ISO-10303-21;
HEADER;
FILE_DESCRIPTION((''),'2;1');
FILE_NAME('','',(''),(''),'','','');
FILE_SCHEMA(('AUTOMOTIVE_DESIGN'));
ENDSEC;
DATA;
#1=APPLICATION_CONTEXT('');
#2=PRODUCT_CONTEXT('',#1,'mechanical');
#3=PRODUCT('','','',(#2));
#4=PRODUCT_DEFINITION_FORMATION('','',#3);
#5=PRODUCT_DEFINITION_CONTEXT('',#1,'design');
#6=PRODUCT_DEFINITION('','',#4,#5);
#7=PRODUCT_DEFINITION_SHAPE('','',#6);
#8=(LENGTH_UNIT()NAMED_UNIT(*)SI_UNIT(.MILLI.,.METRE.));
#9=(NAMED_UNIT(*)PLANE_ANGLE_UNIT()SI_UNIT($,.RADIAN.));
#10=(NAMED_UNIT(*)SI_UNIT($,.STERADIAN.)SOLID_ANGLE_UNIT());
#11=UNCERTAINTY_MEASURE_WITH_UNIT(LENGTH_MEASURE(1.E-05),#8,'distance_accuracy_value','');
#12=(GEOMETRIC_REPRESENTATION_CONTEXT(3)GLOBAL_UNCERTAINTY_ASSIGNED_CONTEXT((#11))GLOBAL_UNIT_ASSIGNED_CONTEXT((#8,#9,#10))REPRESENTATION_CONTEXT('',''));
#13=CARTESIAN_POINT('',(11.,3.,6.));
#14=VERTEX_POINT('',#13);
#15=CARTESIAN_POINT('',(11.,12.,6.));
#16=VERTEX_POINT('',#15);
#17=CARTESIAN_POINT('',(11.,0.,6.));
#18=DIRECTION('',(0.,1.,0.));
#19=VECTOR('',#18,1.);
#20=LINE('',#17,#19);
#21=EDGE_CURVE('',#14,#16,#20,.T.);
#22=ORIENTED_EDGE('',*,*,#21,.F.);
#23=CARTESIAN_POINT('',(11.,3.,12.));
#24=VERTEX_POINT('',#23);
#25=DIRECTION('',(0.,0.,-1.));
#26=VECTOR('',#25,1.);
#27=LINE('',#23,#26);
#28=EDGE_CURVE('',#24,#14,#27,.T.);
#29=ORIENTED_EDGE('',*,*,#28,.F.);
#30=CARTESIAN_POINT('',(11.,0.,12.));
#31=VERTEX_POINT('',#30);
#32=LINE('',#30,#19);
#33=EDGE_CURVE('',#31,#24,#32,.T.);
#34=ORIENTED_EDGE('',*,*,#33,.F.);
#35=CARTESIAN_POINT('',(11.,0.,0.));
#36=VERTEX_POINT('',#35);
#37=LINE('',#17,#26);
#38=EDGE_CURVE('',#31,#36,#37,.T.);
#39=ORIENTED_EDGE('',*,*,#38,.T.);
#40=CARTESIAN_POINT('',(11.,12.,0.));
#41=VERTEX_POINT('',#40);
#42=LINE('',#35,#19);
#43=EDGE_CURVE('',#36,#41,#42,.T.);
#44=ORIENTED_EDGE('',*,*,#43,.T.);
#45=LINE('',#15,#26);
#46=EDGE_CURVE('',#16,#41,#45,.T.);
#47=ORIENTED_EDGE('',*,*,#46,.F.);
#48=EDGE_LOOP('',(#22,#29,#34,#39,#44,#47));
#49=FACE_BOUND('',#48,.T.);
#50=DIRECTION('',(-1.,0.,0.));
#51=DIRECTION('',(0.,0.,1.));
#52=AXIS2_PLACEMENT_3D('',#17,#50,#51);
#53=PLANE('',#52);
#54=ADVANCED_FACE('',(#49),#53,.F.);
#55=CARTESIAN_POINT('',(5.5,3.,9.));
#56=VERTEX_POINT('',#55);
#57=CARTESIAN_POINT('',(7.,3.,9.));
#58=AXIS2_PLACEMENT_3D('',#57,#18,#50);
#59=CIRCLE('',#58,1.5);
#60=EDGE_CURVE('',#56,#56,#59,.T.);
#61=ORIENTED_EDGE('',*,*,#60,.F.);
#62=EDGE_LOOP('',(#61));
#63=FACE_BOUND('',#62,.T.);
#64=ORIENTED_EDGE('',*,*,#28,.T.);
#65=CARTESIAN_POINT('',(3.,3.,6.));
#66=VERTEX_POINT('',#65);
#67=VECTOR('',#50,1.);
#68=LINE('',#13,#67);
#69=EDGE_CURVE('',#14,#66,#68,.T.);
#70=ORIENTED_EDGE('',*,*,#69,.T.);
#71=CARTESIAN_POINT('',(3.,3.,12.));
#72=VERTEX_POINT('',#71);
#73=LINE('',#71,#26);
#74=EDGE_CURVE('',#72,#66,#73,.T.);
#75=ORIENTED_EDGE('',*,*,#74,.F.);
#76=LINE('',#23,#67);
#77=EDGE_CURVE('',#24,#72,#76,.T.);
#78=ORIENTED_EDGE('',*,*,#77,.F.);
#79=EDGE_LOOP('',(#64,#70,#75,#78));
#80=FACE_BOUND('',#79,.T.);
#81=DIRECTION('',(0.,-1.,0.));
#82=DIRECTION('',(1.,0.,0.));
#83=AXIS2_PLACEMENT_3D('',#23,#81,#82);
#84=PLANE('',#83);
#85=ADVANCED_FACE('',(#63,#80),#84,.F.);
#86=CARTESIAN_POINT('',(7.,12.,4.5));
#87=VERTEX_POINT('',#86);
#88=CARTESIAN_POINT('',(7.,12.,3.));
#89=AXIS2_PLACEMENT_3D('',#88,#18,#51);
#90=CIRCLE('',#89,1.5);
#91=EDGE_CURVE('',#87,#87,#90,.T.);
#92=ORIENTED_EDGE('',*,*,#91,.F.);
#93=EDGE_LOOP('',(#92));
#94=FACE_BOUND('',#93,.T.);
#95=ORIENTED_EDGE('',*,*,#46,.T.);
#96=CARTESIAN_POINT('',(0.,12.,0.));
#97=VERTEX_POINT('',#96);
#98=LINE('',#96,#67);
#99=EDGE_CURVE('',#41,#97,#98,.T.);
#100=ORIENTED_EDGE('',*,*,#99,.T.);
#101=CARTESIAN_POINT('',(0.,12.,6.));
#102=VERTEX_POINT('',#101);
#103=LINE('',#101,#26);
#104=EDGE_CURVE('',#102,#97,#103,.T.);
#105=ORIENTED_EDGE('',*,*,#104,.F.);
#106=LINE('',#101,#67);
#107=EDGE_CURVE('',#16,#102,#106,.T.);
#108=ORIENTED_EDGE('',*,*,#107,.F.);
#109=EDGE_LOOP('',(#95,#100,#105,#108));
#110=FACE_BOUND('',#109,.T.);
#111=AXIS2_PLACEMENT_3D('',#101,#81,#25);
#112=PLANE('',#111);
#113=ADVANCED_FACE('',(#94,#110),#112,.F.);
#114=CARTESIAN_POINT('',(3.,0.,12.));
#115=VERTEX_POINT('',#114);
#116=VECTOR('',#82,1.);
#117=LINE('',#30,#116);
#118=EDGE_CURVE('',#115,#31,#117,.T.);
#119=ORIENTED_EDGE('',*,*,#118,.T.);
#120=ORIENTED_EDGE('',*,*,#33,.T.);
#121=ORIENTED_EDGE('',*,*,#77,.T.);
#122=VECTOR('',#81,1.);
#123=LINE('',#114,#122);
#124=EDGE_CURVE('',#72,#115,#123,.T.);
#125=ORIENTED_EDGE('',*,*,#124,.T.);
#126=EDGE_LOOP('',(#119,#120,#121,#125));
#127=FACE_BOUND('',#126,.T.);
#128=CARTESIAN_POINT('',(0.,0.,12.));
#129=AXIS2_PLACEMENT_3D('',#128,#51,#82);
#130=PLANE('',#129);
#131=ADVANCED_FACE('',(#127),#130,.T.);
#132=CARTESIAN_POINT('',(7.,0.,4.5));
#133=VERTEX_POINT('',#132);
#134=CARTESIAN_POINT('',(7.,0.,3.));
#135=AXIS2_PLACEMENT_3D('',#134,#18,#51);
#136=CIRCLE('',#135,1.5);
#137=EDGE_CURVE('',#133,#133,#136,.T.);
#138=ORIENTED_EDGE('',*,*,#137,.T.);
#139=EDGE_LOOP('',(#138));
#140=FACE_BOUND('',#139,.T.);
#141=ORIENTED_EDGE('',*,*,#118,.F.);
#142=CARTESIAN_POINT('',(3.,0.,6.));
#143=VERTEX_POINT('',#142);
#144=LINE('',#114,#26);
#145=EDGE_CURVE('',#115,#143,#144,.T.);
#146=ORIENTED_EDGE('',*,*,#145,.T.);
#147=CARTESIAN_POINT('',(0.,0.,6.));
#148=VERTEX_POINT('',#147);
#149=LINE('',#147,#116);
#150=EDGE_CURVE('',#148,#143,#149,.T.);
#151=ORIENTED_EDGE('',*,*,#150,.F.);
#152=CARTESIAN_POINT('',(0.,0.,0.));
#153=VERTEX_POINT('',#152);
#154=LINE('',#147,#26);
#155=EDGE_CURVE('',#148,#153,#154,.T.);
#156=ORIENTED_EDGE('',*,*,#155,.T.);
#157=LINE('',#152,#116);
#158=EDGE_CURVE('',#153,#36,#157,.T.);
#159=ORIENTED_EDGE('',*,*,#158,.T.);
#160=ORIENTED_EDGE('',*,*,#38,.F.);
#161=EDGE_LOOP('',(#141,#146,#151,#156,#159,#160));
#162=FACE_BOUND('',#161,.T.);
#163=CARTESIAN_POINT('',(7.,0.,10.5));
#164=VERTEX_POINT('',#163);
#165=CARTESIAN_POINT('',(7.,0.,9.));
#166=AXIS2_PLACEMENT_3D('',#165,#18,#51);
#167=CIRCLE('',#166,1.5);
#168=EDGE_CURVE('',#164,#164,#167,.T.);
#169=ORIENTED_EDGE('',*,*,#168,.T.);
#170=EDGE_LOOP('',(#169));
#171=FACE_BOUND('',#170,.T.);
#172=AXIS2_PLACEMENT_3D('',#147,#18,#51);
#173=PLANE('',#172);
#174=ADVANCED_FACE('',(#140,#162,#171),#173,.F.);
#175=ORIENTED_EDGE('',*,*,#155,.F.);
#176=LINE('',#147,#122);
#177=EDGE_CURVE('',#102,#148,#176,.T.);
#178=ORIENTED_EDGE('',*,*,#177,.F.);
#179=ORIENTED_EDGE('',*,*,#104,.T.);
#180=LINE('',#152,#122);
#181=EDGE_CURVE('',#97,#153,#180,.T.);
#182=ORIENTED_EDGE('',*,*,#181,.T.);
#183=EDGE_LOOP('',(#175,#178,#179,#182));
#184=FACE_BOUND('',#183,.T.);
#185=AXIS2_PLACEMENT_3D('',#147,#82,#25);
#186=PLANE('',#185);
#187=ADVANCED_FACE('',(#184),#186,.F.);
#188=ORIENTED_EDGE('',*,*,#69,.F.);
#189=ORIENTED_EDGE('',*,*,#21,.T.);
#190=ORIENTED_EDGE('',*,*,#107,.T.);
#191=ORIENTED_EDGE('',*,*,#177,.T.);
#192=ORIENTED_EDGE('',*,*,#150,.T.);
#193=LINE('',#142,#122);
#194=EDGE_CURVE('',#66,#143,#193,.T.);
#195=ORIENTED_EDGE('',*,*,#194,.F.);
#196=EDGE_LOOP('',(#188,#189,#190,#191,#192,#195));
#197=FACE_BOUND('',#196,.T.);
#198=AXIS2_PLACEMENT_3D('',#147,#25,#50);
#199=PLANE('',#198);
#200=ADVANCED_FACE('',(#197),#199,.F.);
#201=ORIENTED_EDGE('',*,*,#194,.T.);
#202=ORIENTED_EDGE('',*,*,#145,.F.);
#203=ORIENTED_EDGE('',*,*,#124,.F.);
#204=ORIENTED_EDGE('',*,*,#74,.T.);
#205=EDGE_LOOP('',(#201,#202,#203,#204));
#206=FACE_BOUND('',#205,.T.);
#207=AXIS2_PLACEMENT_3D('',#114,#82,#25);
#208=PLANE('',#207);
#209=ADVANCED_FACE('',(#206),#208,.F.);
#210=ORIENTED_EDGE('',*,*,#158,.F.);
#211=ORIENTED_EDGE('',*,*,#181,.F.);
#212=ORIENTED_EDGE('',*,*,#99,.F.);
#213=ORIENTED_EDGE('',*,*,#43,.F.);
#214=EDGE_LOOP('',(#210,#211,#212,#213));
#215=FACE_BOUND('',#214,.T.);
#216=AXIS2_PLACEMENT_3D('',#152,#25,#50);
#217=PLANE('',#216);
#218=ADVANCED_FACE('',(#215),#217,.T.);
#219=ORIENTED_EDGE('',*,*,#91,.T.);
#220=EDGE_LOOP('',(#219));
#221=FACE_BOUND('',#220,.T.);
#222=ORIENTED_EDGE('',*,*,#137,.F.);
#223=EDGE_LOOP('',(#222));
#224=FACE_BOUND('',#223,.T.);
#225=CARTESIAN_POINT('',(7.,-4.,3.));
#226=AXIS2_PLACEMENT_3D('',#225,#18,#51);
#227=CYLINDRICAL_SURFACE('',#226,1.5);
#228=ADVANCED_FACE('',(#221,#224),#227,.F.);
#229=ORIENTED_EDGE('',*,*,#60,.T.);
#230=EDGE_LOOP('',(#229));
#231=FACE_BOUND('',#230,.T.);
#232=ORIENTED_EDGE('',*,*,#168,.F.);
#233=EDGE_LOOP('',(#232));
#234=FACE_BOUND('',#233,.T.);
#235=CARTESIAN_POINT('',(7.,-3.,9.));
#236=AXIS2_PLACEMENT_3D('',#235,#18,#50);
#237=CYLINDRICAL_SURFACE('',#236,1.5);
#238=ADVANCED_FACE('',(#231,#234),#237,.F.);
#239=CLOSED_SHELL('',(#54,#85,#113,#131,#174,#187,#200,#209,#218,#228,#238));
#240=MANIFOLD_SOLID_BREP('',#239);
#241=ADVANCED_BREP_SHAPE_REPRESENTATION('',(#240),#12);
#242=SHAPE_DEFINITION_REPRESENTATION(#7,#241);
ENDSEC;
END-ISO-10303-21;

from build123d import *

# Parameters (mm, degrees)
SKETCH1_W           = 11
SKETCH1_H           = 12
BOSS_EXTRUDE1_DEPTH = 6
SKETCH2_W           = 8
SKETCH2_H           = 3
BOSS_EXTRUDE2_DEPTH = 6
SKETCH3_R           = 1.5
CUT_EXTRUDE1_DEPTH  = 6
SKETCH4_R           = 1.5
CUT_EXTRUDE2_DEPTH  = 16


with BuildPart() as part:
    # Sketch1 → Boss-Extrude1 (new body)
    with BuildSketch(Plane.XY):
        with Locations((5.5, 6)):
            Rectangle(SKETCH1_W, SKETCH1_H)
    extrude(amount=BOSS_EXTRUDE1_DEPTH)

    # Sketch2 → Boss-Extrude2 (add)
    with BuildSketch(Plane.XY.offset(6)):
        with Locations((7, 1.5)):
            Rectangle(SKETCH2_W, SKETCH2_H)
    extrude(amount=BOSS_EXTRUDE2_DEPTH)

    # Sketch3 → Cut-Extrude1 (cut)
    with BuildSketch(Plane(origin=(0, 3, 0), x_dir=(1, 0, 0), z_dir=(0, 1, 0))):
        with Locations((7, -9)):
            Circle(SKETCH3_R)
    extrude(amount=-CUT_EXTRUDE1_DEPTH, mode=Mode.SUBTRACT)

    # Sketch4 → Cut-Extrude2 (cut)
    with BuildSketch(Plane(origin=(0, 12, 0), x_dir=(1, 0, 0), z_dir=(0, 1, 0))):
        with Locations((7, -3)):
            Circle(SKETCH4_R)
    extrude(amount=-CUT_EXTRUDE2_DEPTH, mode=Mode.SUBTRACT)


solid = part.part
